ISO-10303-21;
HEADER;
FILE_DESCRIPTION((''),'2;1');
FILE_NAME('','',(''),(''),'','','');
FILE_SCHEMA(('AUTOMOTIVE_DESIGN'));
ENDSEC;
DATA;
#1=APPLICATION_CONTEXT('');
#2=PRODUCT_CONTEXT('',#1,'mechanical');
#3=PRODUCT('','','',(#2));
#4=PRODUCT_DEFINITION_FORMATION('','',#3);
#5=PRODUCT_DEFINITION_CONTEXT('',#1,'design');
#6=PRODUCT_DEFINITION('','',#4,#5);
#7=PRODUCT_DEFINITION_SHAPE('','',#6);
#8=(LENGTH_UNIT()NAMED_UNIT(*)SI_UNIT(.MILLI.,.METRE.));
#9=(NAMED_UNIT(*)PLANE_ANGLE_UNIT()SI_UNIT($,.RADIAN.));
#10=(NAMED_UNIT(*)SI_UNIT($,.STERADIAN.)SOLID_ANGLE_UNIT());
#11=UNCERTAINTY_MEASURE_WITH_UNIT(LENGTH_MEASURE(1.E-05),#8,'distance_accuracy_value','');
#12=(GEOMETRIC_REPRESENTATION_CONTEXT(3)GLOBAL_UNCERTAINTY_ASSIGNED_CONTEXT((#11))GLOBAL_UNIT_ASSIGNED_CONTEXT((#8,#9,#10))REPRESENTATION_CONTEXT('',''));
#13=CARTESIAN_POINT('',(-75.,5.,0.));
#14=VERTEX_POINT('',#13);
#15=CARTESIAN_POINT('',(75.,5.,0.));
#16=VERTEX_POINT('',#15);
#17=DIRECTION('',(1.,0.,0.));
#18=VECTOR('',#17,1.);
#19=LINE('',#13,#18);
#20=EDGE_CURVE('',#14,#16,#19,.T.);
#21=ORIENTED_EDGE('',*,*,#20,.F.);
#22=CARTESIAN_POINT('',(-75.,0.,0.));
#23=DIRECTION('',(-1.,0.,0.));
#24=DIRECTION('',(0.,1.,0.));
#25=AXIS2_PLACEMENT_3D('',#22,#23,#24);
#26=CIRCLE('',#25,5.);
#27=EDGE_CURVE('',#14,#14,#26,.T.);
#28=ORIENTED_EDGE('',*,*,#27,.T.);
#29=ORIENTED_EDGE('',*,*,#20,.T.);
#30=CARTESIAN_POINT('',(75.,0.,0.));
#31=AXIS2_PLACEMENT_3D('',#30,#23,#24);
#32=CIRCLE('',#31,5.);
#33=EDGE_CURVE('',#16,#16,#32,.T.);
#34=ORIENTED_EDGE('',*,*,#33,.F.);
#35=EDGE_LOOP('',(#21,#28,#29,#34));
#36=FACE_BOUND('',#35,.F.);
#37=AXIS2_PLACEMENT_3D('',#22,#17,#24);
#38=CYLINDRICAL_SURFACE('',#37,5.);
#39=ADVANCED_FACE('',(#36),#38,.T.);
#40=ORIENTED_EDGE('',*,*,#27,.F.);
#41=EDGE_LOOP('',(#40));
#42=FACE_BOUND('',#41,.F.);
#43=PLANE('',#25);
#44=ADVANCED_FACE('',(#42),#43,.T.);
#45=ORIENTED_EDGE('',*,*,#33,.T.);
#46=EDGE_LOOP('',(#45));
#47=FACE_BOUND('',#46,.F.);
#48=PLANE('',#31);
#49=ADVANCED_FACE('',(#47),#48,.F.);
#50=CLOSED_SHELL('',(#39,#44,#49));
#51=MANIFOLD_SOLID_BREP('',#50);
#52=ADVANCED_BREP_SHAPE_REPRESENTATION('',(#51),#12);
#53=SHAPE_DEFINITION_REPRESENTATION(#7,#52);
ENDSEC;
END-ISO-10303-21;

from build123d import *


with BuildPart() as part:
    # Sketch1 → Revolve4 (revolve)
    with BuildSketch(Plane.XY):
        Polygon((75, 0), (0, 0), (-75, 0), (-75, 5), (75, 5), align=None)
    revolve(axis=Axis((0, 0, 0), (-1, 0, 0)))


solid = part.part
